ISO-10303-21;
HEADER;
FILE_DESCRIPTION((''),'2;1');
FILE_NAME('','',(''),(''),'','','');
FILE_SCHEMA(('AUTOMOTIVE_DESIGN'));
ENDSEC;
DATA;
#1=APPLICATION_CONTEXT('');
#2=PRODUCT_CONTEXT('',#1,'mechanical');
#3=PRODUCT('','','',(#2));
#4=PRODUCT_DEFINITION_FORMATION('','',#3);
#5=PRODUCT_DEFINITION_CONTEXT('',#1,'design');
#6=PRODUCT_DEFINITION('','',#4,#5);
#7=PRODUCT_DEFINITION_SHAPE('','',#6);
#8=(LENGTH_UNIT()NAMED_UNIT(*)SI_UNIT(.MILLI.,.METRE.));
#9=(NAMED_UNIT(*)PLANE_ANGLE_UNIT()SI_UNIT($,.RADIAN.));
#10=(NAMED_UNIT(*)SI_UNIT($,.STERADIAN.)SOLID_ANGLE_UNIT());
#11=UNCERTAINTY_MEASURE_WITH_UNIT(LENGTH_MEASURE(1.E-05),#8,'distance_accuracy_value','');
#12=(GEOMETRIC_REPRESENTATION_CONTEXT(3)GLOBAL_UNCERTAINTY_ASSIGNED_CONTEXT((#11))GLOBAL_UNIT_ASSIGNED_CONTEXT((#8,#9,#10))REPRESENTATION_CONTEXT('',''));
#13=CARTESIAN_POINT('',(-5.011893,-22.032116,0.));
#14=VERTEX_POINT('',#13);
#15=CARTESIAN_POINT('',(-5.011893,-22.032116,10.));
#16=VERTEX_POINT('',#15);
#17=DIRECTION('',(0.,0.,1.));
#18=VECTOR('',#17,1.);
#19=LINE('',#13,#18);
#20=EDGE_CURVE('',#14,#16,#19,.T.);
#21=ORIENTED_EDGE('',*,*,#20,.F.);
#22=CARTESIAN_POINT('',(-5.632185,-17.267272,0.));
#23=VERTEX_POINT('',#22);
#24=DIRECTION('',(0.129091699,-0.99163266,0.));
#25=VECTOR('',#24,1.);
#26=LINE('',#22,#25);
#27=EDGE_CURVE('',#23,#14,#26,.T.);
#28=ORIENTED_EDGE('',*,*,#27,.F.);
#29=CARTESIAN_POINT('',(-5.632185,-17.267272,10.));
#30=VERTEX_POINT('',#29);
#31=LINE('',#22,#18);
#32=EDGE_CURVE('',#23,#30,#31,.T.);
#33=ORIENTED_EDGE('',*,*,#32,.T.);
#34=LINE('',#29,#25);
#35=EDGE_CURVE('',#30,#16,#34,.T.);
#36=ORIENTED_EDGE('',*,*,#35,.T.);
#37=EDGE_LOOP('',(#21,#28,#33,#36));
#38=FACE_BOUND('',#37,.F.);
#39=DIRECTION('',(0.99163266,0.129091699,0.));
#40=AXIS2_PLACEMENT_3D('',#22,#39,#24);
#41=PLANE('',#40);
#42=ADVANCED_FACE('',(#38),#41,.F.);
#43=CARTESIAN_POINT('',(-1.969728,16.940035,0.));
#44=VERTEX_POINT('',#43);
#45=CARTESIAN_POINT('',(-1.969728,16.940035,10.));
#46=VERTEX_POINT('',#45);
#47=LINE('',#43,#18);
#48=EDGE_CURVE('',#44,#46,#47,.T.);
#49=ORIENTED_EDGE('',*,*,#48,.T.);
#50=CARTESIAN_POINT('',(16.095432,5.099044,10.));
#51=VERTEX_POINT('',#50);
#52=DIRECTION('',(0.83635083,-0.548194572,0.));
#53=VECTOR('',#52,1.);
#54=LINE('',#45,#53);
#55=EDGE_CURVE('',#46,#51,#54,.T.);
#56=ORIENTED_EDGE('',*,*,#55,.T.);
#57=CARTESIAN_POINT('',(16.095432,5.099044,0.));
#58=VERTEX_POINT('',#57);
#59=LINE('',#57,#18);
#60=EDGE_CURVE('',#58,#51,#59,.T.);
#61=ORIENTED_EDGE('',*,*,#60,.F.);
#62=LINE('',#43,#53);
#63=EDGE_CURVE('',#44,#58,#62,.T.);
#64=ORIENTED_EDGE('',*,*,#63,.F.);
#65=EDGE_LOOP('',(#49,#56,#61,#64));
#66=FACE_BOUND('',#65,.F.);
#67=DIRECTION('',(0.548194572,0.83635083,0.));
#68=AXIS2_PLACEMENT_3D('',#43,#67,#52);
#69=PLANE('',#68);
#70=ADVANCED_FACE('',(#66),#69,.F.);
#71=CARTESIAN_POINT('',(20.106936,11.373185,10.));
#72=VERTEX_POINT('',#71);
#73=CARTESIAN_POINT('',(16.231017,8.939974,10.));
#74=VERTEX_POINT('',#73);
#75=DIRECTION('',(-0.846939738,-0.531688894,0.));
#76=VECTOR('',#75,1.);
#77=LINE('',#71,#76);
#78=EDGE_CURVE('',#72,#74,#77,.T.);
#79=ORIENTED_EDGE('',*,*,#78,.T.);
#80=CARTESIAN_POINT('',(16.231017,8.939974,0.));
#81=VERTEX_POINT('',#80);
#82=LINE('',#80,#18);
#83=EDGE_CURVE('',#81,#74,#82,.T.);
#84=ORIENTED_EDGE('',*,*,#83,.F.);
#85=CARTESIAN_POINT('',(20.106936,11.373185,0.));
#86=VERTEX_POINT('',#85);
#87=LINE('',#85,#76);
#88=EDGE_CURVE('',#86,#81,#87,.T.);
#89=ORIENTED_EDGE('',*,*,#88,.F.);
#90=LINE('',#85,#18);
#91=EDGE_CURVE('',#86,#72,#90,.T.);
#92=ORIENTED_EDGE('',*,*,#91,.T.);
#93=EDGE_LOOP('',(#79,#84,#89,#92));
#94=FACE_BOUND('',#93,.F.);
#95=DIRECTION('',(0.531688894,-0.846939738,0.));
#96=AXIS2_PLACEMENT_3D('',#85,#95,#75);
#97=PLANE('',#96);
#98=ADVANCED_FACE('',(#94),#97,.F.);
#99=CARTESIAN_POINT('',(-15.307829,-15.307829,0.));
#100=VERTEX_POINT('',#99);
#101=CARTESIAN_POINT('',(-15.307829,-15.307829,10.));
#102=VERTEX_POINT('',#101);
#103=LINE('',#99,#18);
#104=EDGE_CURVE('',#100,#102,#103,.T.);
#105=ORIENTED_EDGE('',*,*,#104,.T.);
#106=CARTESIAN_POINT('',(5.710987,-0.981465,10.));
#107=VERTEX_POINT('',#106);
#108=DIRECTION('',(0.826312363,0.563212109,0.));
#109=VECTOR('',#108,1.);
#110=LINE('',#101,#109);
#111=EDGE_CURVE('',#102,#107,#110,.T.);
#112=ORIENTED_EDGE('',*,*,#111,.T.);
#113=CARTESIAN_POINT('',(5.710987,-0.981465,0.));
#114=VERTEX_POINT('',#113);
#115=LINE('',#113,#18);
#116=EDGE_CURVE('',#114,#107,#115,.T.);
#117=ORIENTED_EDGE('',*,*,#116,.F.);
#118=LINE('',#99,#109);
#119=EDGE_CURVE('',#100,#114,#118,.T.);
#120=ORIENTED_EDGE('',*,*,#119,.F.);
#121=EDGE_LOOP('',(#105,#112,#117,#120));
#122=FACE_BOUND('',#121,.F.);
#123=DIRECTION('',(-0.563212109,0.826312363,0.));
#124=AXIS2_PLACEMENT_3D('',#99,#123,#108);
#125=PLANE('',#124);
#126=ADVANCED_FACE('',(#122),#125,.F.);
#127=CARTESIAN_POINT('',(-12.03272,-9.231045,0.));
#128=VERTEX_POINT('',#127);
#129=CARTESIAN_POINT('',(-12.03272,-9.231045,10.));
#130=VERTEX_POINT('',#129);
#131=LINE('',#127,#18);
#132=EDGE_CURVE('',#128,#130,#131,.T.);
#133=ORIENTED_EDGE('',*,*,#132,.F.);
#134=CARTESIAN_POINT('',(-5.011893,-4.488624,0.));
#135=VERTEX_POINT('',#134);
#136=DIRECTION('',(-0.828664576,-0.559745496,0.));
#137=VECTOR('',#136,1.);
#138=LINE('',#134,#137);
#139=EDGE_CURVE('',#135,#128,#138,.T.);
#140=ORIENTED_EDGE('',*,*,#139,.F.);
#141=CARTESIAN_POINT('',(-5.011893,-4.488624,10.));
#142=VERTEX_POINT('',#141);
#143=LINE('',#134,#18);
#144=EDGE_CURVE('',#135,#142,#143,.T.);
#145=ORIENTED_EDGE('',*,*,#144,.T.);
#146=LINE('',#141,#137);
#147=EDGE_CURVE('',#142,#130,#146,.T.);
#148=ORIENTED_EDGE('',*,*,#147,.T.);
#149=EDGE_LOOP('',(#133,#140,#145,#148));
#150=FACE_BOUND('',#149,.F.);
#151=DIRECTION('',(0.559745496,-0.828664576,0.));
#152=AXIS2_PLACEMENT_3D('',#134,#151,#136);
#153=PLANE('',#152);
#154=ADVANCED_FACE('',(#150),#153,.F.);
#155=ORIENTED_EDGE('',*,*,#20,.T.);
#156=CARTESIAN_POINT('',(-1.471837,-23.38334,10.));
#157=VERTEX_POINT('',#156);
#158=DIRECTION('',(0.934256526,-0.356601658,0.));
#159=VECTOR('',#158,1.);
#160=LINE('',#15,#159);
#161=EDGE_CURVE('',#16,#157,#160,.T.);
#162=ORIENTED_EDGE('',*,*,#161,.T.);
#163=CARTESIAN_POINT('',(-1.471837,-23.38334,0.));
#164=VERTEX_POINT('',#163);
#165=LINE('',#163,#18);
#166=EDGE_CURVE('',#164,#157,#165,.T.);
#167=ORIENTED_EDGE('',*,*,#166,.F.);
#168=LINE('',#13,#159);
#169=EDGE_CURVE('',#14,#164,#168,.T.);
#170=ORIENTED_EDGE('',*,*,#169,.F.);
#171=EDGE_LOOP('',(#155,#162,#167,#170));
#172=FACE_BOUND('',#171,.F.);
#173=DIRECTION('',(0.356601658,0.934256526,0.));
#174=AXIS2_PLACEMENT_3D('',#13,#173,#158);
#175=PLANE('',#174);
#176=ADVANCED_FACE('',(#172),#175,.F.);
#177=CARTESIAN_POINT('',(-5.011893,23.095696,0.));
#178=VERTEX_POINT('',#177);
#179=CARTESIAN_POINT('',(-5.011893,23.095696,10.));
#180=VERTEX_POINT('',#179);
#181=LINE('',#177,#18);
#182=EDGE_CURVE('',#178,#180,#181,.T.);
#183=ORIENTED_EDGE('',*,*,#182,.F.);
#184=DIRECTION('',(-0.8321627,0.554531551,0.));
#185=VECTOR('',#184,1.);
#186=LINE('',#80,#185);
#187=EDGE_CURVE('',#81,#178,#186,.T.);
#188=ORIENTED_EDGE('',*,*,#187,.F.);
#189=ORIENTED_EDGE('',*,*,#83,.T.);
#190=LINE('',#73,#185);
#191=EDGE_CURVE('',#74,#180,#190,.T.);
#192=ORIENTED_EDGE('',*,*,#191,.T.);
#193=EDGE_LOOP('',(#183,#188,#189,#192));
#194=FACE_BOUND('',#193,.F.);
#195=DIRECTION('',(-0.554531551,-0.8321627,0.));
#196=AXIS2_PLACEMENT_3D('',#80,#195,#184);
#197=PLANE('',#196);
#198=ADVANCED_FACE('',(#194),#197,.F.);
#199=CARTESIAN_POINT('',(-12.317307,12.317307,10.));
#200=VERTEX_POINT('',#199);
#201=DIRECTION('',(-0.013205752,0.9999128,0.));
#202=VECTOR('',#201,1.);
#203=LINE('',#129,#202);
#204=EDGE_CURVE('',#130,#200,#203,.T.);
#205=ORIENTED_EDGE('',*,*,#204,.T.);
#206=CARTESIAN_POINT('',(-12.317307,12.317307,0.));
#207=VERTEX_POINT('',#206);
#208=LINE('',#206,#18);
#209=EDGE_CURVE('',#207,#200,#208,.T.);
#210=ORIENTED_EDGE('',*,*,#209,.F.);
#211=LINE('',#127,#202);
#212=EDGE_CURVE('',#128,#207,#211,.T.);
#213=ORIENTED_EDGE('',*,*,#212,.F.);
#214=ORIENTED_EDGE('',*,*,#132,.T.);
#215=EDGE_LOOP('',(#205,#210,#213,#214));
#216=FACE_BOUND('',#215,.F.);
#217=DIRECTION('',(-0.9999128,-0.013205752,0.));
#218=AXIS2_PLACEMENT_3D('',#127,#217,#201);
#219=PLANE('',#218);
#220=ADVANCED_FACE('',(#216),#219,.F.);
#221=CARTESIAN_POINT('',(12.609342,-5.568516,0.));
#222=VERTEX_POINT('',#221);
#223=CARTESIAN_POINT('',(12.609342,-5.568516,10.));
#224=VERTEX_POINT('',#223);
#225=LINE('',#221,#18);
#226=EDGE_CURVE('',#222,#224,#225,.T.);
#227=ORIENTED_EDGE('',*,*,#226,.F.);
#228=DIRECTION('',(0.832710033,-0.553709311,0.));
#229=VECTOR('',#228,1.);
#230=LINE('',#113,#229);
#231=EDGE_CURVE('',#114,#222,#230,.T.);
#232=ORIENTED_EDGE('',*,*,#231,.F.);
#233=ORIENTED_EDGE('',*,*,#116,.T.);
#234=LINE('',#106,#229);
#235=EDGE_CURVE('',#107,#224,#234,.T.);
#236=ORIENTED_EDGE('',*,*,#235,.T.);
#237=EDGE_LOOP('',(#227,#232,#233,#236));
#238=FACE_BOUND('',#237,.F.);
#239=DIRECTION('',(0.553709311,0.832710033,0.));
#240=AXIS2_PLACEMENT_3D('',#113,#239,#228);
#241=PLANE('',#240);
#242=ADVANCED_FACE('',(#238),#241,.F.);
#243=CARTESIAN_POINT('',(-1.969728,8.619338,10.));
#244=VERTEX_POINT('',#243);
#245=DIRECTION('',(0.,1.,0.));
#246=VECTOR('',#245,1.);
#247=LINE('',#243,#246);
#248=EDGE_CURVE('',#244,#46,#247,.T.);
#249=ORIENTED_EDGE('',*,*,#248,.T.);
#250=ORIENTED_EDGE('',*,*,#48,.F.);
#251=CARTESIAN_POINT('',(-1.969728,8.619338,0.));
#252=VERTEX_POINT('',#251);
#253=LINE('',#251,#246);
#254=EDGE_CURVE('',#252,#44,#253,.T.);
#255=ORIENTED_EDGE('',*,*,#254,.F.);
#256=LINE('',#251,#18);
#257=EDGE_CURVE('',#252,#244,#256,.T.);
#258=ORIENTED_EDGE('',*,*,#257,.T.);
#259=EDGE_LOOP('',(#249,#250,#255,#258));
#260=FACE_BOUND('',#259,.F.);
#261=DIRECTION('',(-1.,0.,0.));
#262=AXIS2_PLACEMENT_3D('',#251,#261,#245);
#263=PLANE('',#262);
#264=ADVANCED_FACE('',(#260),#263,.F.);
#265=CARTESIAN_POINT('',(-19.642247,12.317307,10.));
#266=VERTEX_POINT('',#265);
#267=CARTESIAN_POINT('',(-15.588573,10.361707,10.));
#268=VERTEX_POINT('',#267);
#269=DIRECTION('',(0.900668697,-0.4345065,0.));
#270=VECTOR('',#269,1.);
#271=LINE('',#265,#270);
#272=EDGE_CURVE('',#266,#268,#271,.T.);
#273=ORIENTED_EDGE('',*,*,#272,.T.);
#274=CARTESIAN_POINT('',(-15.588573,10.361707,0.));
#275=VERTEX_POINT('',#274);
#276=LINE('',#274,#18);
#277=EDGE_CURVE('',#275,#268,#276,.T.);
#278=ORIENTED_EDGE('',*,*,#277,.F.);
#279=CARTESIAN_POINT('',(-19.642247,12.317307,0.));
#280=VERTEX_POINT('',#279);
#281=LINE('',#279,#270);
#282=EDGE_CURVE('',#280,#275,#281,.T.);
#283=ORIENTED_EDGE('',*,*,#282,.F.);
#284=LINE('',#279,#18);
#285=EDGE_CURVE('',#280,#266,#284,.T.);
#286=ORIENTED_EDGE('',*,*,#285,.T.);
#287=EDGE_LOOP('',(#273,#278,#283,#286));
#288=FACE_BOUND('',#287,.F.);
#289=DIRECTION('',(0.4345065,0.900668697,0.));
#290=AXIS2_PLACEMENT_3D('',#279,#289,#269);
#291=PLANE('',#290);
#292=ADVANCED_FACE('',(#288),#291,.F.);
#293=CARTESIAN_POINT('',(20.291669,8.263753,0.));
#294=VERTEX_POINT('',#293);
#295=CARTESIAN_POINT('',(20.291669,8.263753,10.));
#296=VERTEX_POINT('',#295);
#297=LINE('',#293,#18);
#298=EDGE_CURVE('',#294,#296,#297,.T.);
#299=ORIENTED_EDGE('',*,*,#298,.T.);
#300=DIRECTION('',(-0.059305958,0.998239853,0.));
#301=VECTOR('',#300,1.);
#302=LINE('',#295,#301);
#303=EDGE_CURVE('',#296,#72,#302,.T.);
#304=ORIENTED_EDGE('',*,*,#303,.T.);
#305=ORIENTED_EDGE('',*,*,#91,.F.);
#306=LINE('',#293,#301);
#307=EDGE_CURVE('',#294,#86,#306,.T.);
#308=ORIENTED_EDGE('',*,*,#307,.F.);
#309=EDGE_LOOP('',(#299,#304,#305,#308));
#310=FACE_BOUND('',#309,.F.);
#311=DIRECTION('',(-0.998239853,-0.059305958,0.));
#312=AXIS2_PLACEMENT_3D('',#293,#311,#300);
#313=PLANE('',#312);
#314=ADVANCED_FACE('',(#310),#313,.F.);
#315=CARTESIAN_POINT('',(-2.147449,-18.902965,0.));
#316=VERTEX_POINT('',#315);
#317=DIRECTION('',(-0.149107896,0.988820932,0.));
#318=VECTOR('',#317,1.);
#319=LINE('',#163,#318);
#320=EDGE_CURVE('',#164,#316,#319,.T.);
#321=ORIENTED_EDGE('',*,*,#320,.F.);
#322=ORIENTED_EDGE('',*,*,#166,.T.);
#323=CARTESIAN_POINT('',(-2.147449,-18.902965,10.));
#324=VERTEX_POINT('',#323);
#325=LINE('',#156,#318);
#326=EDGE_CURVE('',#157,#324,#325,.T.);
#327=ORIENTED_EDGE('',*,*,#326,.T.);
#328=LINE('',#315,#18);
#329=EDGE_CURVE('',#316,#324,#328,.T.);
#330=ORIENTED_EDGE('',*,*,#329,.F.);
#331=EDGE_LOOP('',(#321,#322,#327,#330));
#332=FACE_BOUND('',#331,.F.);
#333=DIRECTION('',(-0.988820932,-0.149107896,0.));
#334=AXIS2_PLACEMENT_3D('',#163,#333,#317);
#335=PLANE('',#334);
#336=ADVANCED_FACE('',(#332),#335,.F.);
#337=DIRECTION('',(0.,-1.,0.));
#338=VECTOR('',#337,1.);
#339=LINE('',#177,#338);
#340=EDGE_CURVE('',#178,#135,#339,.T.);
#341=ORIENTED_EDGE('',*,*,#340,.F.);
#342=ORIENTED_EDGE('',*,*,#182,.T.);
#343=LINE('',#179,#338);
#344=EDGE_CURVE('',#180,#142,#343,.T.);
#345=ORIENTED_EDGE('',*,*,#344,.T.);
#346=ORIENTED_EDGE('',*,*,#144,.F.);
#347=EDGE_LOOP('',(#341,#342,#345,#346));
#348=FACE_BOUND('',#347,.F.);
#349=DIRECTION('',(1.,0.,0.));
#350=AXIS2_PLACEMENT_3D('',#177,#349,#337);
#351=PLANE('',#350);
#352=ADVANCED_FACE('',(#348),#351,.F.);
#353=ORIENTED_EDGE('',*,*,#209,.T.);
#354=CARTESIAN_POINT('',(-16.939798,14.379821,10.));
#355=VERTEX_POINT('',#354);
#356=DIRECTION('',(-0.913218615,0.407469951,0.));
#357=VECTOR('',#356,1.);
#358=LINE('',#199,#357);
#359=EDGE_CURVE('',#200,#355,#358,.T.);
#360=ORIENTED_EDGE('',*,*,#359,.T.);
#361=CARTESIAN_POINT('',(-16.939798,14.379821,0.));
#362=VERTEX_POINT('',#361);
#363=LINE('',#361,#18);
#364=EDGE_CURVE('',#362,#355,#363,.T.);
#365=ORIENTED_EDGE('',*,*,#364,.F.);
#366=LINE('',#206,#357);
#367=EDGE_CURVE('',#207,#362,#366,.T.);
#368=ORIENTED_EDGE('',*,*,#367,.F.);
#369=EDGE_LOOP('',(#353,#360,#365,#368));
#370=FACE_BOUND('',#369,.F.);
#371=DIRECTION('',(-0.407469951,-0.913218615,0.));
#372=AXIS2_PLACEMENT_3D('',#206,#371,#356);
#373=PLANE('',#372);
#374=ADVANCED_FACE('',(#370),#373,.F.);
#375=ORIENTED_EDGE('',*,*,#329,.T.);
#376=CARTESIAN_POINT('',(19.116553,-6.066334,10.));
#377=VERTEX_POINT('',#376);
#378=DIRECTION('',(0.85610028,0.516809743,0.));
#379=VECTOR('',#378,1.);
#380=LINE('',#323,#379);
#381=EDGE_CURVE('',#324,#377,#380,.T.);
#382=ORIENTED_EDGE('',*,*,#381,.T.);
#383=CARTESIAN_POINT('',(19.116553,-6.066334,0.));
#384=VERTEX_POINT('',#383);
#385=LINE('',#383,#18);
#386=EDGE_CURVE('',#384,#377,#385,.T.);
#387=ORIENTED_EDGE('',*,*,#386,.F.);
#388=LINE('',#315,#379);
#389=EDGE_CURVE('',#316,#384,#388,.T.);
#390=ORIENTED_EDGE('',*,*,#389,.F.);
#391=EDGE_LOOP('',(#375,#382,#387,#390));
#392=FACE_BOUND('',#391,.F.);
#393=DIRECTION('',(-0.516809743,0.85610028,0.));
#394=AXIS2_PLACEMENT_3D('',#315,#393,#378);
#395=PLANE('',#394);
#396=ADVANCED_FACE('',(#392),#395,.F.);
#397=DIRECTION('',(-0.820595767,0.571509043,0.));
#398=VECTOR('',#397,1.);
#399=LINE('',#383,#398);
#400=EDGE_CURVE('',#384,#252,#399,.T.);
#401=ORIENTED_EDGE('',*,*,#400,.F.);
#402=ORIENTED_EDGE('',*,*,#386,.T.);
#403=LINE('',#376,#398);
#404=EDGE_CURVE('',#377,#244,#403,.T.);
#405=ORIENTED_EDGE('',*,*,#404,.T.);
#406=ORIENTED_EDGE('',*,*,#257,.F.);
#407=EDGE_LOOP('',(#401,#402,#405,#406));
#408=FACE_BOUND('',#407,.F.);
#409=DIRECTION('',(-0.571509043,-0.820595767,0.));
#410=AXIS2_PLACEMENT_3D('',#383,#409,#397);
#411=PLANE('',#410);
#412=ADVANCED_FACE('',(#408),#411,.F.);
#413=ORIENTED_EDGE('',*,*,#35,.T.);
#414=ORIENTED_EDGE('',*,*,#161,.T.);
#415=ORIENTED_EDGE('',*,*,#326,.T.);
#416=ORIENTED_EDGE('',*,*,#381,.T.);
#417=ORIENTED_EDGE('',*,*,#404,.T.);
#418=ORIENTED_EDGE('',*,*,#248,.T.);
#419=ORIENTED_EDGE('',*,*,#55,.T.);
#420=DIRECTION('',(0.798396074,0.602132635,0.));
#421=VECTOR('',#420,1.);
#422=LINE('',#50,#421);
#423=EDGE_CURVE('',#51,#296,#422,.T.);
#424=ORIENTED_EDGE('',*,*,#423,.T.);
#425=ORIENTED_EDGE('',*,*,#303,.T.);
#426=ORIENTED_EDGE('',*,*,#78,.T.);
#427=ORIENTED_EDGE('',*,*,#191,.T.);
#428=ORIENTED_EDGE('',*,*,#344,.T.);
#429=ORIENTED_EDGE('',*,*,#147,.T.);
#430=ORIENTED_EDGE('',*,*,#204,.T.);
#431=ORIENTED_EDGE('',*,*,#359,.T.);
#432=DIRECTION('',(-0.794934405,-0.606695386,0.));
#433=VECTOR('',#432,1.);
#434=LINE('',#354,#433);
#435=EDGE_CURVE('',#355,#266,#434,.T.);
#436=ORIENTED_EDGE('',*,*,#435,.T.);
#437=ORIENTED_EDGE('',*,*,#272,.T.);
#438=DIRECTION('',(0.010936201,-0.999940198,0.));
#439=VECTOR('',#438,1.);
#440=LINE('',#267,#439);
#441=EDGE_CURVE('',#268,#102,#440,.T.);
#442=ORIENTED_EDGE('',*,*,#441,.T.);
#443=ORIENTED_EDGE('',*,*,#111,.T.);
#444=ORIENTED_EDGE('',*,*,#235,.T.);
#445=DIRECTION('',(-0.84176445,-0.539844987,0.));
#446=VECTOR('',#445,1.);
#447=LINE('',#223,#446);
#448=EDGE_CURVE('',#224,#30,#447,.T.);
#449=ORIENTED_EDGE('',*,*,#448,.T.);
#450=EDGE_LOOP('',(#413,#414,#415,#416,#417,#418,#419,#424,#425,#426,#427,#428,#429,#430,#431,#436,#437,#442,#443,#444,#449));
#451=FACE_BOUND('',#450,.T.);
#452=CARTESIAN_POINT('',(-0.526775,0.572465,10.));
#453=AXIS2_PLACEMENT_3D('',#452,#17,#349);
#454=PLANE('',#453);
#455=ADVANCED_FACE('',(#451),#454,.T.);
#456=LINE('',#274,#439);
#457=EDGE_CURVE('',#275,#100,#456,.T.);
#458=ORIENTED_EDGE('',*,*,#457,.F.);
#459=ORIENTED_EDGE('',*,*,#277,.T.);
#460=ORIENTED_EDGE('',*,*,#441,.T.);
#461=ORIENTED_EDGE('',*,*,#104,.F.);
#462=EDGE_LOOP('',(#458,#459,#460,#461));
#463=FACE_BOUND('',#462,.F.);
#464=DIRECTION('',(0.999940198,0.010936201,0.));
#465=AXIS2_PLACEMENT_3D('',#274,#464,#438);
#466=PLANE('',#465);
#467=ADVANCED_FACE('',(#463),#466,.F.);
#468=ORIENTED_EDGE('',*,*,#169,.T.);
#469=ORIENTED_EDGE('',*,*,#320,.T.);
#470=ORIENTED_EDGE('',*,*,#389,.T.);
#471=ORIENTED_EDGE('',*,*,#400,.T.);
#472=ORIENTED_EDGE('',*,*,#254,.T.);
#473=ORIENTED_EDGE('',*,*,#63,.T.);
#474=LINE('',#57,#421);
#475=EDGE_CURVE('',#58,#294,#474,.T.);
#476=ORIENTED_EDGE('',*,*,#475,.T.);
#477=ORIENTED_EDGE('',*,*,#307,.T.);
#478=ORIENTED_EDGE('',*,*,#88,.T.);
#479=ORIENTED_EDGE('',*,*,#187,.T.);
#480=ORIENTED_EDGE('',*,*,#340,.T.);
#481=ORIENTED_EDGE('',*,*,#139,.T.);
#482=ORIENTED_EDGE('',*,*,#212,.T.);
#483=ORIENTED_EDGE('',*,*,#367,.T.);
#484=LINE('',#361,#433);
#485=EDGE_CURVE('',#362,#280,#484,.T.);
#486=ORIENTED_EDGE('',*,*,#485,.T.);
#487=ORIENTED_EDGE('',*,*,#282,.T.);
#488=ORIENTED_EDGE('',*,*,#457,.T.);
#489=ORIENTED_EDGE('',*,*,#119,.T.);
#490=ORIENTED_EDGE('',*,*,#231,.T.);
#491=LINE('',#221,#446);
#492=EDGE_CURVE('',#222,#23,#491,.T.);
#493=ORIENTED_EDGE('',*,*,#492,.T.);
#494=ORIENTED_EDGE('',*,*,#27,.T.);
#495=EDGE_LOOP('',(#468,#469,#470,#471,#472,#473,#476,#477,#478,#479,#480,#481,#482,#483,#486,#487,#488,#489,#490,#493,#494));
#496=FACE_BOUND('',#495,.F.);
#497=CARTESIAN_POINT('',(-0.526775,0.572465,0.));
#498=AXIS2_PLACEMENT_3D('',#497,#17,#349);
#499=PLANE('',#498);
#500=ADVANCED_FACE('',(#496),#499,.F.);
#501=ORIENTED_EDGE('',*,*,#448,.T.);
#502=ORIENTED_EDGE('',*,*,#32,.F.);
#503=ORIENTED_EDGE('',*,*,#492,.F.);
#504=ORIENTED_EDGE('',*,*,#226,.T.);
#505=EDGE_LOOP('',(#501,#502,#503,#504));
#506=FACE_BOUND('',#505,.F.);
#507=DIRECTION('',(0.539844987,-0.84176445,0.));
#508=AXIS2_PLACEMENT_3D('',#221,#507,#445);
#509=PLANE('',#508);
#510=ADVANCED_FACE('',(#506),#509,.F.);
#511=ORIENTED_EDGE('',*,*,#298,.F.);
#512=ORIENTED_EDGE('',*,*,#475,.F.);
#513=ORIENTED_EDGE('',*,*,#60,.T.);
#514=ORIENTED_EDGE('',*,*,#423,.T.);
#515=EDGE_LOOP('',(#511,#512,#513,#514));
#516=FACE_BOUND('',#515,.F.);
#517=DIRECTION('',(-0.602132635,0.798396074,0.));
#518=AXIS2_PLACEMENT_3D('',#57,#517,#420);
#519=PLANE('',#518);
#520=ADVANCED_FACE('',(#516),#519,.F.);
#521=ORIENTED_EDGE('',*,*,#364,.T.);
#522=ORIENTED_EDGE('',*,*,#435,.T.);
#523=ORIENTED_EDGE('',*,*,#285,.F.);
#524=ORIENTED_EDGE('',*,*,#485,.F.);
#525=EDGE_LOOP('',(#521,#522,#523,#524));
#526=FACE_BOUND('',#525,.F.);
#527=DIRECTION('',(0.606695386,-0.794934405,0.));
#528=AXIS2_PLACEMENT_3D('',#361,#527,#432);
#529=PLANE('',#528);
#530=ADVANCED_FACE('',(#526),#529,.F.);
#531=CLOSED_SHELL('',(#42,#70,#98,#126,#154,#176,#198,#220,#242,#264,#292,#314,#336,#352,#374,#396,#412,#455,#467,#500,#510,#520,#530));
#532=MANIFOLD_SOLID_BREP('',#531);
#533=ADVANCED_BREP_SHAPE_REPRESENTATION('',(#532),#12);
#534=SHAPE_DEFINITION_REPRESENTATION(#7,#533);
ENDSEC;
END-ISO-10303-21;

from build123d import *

# Parameters (mm, degrees)
F1_DEPTH = 10


with BuildPart() as f1:
    # F0 (on Top) → F1 (new body)
    with BuildSketch(Plane.XY):
        Polygon((20.291669, 8.263753), (20.106936, 11.373185), (16.231017, 8.939974), (-5.011893, 23.095696), (-5.011893, -4.488624), (-12.03272, -9.231045), (-12.317307, 12.317307), (-16.939798, 14.379821), (-19.642247, 12.317307), (-15.588573, 10.361707), (-15.307829, -15.307829), (5.710987, -0.981465), (12.609342, -5.568516), (-5.632185, -17.267272), (-5.011893, -22.032116), (-1.471837, -23.38334), (-2.147449, -18.902965), (19.116553, -6.066334), (-1.969728, 8.619338), (-1.969728, 16.940035), (16.095432, 5.099044), align=None)
    extrude(amount=F1_DEPTH)


solid = f1.part
